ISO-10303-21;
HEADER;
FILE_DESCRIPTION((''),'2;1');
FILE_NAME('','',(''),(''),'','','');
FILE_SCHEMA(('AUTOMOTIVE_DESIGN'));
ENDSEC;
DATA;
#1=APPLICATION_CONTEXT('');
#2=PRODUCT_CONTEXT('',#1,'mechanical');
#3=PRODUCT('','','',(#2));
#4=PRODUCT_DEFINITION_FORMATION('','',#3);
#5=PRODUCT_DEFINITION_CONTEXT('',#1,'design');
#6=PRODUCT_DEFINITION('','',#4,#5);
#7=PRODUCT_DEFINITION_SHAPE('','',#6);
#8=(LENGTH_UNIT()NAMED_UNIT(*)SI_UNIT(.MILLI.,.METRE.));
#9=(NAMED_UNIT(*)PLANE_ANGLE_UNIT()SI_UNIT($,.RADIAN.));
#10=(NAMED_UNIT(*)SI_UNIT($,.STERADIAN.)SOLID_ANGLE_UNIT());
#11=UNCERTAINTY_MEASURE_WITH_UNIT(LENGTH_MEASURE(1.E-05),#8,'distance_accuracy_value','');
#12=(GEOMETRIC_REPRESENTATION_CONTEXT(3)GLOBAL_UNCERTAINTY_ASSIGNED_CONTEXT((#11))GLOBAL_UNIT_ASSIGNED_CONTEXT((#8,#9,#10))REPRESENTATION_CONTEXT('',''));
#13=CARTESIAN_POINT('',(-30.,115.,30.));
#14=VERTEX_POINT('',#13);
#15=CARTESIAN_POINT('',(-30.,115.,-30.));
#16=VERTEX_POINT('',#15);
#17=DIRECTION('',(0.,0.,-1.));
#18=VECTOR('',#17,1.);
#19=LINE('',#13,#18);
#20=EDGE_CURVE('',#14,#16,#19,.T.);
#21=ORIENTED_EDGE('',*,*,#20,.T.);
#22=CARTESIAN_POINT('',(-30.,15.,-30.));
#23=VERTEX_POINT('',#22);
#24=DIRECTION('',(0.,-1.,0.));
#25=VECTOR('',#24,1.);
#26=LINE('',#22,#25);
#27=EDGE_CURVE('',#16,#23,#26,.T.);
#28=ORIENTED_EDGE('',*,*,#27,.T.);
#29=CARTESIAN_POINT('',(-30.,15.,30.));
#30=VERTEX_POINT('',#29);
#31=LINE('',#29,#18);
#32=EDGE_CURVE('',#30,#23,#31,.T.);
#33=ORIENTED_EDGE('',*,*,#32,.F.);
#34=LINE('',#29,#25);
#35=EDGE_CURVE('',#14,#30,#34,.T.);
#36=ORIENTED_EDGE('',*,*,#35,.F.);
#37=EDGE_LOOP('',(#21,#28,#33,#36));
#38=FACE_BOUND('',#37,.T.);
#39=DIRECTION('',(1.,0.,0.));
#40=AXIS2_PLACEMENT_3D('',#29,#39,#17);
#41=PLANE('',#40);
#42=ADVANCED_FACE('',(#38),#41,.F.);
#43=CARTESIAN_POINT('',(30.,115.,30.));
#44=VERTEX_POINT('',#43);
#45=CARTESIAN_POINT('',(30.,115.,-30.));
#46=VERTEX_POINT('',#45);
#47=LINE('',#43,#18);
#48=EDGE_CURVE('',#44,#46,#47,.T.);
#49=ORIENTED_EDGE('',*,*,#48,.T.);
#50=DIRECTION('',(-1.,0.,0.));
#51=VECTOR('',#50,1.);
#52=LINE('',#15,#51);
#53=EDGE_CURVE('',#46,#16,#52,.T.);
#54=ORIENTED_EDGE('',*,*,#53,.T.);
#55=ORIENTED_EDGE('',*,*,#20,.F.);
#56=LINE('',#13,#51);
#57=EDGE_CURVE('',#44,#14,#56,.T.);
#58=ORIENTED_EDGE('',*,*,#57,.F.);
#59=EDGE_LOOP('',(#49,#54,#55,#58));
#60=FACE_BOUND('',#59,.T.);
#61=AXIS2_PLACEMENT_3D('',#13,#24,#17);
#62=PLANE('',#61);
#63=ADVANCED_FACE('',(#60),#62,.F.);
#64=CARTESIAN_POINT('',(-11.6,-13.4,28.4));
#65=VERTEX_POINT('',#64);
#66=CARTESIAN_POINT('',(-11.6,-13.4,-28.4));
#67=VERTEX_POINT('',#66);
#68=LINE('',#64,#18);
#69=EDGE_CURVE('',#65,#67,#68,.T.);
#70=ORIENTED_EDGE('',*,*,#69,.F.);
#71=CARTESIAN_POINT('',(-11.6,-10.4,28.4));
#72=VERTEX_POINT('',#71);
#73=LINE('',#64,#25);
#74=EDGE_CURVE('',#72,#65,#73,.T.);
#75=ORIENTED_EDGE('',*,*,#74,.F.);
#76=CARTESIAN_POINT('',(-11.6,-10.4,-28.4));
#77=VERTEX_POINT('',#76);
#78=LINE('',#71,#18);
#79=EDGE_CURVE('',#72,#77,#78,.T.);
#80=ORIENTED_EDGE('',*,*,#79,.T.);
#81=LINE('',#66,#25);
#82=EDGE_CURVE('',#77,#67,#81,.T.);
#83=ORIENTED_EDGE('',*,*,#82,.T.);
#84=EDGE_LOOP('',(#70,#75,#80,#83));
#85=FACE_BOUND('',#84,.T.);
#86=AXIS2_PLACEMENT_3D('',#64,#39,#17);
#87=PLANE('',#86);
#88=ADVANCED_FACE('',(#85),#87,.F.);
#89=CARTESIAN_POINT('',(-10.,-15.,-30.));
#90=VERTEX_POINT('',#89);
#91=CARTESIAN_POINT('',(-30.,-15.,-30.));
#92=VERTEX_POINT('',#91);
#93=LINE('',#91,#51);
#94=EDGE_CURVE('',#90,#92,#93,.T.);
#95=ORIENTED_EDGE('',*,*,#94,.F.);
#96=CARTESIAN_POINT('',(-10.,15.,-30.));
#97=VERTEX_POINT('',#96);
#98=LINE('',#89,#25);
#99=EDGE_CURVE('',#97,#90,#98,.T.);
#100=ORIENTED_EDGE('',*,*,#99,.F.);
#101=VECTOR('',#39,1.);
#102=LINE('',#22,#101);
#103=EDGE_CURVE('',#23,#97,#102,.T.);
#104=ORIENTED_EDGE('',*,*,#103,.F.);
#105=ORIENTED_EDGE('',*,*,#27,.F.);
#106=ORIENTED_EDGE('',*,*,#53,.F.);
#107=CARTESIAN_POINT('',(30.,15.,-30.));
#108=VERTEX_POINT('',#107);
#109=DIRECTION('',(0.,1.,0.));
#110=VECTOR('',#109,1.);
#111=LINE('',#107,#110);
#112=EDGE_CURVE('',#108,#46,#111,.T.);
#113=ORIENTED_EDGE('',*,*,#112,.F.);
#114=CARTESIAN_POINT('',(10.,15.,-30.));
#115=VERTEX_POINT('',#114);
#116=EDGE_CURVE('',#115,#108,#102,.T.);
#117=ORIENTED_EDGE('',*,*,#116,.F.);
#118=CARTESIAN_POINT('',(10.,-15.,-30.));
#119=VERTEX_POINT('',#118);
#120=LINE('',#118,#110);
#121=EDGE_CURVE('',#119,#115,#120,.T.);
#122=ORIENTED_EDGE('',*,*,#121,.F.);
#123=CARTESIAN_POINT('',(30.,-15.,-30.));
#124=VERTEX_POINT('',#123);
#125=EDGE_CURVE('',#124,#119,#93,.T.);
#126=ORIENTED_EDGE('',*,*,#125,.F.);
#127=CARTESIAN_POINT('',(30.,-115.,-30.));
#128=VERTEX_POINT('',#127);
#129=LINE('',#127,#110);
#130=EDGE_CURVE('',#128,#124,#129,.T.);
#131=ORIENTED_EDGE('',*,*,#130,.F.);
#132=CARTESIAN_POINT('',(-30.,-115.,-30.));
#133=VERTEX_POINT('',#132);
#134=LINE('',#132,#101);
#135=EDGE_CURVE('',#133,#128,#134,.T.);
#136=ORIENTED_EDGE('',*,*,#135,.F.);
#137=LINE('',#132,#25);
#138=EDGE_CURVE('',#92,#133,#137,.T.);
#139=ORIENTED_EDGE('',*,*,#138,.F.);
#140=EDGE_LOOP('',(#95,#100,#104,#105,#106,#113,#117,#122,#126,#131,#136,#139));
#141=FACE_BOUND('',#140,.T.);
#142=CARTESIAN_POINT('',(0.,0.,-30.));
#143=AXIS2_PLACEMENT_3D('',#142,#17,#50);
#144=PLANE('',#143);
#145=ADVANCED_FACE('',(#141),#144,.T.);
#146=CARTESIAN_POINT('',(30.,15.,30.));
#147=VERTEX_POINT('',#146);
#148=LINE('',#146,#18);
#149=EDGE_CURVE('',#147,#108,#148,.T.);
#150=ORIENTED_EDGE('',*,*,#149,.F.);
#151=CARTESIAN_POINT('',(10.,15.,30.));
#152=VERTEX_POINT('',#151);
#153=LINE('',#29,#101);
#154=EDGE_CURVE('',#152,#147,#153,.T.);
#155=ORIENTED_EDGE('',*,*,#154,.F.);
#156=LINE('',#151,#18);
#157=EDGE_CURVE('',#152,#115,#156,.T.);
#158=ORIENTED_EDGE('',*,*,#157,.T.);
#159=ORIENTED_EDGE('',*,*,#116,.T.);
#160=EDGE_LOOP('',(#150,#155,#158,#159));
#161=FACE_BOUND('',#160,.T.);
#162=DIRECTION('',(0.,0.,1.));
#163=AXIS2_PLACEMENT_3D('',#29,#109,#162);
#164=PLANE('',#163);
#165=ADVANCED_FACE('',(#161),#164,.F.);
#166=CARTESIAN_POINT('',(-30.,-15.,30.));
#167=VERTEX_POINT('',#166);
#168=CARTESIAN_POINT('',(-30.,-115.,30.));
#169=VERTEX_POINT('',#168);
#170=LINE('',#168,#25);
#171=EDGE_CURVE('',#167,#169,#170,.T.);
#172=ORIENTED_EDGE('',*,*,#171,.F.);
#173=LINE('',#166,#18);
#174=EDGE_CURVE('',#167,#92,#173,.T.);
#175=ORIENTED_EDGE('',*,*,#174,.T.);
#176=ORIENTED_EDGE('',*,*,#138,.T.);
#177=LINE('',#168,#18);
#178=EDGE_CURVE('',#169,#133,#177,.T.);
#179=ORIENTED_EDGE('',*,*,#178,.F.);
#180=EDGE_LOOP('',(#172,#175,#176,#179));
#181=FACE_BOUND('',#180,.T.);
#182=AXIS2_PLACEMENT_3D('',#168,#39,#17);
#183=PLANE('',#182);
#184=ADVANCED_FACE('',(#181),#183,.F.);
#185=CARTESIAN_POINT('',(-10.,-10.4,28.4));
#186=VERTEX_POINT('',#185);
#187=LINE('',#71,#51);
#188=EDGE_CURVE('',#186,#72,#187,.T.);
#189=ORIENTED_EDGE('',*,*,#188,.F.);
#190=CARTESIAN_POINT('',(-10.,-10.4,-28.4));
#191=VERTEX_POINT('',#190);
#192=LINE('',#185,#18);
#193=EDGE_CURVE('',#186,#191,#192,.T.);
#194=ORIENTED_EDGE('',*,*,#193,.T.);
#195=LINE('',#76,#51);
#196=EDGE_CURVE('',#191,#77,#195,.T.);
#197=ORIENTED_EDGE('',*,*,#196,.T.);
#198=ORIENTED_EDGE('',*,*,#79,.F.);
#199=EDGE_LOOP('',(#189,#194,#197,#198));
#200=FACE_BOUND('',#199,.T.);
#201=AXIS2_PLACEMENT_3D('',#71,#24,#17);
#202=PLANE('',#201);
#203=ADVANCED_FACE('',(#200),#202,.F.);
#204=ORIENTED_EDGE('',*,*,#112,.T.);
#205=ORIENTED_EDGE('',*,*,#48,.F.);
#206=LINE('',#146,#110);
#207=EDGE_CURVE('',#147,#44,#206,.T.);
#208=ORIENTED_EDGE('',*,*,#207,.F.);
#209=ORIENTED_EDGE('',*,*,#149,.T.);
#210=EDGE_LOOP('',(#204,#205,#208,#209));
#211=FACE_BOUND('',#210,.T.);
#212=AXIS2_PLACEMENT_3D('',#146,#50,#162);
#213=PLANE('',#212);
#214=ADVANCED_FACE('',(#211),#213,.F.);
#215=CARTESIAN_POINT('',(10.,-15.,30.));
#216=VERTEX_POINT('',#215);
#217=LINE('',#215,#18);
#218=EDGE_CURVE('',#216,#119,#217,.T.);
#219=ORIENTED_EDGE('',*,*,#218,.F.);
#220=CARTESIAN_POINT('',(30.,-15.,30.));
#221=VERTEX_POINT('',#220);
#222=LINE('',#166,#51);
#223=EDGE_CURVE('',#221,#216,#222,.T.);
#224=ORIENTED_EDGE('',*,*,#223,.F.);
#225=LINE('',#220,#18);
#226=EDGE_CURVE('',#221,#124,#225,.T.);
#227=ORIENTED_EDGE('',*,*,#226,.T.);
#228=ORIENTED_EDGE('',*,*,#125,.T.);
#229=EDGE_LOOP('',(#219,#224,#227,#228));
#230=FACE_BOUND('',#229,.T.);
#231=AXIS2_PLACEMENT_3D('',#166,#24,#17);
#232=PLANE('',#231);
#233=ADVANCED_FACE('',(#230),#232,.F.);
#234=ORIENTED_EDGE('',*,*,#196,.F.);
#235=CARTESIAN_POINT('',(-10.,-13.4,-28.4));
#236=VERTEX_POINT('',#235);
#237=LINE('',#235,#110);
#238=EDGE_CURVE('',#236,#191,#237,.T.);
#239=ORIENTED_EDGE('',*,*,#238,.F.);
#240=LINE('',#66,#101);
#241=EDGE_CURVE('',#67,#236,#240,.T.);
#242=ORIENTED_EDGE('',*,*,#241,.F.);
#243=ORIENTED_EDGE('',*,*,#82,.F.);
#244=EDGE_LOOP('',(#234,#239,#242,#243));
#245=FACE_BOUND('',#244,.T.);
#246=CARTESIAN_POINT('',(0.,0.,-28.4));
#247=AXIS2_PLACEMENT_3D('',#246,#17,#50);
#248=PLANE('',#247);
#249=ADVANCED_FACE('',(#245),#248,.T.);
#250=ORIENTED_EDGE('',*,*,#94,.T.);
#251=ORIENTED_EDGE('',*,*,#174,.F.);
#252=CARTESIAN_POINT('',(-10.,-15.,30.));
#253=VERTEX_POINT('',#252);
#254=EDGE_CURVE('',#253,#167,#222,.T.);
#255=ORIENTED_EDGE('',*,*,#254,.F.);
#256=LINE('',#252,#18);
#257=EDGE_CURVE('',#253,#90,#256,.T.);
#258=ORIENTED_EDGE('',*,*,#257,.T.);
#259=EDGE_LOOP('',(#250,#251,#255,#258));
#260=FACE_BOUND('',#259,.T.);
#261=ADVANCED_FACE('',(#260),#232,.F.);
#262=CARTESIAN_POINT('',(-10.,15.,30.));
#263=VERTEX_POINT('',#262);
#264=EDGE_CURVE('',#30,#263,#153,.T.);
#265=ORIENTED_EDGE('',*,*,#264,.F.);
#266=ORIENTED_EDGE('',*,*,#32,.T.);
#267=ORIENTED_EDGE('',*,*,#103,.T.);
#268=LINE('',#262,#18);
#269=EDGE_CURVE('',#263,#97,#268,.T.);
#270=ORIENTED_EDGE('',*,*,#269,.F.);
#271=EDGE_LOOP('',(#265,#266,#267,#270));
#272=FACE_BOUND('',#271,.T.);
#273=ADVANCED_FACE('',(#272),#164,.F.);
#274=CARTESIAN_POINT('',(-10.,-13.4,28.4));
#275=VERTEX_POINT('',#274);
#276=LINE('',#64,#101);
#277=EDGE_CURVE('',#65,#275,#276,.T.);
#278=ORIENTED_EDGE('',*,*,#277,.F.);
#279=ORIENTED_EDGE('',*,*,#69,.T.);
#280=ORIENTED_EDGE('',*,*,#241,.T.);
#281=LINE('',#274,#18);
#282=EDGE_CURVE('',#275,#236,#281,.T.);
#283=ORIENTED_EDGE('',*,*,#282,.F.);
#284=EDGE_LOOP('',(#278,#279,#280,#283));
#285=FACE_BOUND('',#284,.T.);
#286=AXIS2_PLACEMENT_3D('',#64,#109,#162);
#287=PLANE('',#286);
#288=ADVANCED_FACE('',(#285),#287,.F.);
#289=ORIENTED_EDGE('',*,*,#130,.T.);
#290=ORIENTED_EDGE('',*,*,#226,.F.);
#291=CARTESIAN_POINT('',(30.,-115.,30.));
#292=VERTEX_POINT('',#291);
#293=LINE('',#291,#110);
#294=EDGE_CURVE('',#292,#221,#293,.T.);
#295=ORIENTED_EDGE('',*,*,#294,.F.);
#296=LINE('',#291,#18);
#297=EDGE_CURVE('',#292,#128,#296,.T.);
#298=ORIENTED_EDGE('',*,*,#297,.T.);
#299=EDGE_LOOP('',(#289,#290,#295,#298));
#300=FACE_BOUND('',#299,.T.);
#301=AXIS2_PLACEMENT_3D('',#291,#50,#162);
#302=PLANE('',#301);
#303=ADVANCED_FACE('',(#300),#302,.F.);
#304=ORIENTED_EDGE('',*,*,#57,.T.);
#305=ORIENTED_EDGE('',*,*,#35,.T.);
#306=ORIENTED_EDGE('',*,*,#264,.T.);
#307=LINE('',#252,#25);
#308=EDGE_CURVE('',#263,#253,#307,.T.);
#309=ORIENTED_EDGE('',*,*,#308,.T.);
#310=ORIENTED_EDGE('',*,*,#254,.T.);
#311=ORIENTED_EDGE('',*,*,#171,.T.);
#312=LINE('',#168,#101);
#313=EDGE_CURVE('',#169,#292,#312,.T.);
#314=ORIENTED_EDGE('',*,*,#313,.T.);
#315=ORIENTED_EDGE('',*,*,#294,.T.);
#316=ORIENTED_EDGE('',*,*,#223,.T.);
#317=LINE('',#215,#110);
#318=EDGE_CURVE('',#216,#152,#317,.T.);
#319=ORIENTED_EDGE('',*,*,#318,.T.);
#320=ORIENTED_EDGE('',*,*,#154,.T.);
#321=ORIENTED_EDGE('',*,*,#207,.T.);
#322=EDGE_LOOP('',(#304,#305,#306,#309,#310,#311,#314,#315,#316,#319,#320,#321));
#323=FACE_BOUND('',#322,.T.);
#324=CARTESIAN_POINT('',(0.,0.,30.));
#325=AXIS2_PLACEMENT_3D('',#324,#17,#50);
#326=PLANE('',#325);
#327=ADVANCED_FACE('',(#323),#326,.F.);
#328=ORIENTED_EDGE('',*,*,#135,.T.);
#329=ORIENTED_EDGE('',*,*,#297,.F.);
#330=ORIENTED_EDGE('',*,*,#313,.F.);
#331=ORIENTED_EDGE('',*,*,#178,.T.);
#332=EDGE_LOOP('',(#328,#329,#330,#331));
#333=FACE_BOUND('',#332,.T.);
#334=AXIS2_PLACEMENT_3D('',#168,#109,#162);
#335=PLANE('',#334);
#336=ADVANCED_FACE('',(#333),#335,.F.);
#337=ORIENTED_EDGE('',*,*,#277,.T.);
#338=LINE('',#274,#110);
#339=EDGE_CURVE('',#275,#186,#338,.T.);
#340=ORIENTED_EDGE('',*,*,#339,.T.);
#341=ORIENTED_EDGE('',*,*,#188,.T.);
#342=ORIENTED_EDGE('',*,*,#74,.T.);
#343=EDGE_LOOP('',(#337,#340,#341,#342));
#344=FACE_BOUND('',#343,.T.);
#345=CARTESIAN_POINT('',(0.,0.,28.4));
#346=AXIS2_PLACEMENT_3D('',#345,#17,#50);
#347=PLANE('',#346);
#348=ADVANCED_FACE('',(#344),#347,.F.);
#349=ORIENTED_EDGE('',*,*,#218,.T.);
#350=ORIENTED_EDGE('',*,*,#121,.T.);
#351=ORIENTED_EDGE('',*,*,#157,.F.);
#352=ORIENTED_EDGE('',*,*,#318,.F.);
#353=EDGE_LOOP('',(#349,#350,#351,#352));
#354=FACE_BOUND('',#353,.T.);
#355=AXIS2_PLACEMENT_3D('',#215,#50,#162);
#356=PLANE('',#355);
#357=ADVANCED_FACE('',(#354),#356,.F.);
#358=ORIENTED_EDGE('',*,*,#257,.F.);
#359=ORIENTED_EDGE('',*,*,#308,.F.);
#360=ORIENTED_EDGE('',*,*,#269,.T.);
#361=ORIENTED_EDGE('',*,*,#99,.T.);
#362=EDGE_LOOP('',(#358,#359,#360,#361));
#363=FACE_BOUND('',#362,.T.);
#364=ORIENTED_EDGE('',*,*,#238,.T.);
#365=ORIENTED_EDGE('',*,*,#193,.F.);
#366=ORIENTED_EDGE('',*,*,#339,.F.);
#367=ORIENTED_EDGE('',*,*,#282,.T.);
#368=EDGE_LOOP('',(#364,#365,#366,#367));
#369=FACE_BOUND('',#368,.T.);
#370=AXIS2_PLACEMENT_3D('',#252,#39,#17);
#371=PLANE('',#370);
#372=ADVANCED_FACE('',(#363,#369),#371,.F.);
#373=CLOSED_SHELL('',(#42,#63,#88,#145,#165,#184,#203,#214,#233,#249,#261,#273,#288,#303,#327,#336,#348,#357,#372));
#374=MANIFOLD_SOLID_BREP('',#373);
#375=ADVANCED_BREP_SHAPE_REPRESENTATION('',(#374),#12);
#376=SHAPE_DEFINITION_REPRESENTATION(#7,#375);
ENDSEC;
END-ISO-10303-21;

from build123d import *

# Parameters (mm, degrees)
SKETCH1_W           = 60
SKETCH1_H           = 100
BOSS_EXTRUDE1_DEPTH = 30
SKETCH2_W           = 60
SKETCH2_H           = 100
BOSS_EXTRUDE2_DEPTH = 30
SKETCH3_W           = 20
SKETCH3_H           = 30
BOSS_EXTRUDE3_DEPTH = 30
SKETCH4_W           = 1.6
SKETCH4_H           = 3
BOSS_EXTRUDE4_DEPTH = 28.4


with BuildPart() as part:
    # Sketch1 → Boss-Extrude1 (new, symmetric)
    with BuildSketch(Plane.XY):
        with Locations((0, -65)):
            Rectangle(SKETCH1_W, SKETCH1_H)
    extrude(amount=BOSS_EXTRUDE1_DEPTH, both=True)



with BuildPart() as body_2:
    # Sketch2 → Boss-Extrude2 (new, symmetric)
    with BuildSketch(Plane.XY):
        with Locations((0, 65)):
            Rectangle(SKETCH2_W, SKETCH2_H)
    extrude(amount=BOSS_EXTRUDE2_DEPTH, both=True)


with BuildPart() as part_1:
    add(part.part)

    add(body_2.part)  # Boss-Extrude3 merges body 2
    # Sketch3 → Boss-Extrude3 (add, symmetric)
    with BuildSketch(Plane.XY):
        Rectangle(SKETCH3_W, SKETCH3_H)
    extrude(amount=BOSS_EXTRUDE3_DEPTH, both=True)

    # Sketch4 → Boss-Extrude4 (add, symmetric)
    with BuildSketch(Plane.XY):
        with Locations((-10.8, -11.9)):
            Rectangle(SKETCH4_W, SKETCH4_H)
    extrude(amount=BOSS_EXTRUDE4_DEPTH, both=True)


solid = part_1.part
